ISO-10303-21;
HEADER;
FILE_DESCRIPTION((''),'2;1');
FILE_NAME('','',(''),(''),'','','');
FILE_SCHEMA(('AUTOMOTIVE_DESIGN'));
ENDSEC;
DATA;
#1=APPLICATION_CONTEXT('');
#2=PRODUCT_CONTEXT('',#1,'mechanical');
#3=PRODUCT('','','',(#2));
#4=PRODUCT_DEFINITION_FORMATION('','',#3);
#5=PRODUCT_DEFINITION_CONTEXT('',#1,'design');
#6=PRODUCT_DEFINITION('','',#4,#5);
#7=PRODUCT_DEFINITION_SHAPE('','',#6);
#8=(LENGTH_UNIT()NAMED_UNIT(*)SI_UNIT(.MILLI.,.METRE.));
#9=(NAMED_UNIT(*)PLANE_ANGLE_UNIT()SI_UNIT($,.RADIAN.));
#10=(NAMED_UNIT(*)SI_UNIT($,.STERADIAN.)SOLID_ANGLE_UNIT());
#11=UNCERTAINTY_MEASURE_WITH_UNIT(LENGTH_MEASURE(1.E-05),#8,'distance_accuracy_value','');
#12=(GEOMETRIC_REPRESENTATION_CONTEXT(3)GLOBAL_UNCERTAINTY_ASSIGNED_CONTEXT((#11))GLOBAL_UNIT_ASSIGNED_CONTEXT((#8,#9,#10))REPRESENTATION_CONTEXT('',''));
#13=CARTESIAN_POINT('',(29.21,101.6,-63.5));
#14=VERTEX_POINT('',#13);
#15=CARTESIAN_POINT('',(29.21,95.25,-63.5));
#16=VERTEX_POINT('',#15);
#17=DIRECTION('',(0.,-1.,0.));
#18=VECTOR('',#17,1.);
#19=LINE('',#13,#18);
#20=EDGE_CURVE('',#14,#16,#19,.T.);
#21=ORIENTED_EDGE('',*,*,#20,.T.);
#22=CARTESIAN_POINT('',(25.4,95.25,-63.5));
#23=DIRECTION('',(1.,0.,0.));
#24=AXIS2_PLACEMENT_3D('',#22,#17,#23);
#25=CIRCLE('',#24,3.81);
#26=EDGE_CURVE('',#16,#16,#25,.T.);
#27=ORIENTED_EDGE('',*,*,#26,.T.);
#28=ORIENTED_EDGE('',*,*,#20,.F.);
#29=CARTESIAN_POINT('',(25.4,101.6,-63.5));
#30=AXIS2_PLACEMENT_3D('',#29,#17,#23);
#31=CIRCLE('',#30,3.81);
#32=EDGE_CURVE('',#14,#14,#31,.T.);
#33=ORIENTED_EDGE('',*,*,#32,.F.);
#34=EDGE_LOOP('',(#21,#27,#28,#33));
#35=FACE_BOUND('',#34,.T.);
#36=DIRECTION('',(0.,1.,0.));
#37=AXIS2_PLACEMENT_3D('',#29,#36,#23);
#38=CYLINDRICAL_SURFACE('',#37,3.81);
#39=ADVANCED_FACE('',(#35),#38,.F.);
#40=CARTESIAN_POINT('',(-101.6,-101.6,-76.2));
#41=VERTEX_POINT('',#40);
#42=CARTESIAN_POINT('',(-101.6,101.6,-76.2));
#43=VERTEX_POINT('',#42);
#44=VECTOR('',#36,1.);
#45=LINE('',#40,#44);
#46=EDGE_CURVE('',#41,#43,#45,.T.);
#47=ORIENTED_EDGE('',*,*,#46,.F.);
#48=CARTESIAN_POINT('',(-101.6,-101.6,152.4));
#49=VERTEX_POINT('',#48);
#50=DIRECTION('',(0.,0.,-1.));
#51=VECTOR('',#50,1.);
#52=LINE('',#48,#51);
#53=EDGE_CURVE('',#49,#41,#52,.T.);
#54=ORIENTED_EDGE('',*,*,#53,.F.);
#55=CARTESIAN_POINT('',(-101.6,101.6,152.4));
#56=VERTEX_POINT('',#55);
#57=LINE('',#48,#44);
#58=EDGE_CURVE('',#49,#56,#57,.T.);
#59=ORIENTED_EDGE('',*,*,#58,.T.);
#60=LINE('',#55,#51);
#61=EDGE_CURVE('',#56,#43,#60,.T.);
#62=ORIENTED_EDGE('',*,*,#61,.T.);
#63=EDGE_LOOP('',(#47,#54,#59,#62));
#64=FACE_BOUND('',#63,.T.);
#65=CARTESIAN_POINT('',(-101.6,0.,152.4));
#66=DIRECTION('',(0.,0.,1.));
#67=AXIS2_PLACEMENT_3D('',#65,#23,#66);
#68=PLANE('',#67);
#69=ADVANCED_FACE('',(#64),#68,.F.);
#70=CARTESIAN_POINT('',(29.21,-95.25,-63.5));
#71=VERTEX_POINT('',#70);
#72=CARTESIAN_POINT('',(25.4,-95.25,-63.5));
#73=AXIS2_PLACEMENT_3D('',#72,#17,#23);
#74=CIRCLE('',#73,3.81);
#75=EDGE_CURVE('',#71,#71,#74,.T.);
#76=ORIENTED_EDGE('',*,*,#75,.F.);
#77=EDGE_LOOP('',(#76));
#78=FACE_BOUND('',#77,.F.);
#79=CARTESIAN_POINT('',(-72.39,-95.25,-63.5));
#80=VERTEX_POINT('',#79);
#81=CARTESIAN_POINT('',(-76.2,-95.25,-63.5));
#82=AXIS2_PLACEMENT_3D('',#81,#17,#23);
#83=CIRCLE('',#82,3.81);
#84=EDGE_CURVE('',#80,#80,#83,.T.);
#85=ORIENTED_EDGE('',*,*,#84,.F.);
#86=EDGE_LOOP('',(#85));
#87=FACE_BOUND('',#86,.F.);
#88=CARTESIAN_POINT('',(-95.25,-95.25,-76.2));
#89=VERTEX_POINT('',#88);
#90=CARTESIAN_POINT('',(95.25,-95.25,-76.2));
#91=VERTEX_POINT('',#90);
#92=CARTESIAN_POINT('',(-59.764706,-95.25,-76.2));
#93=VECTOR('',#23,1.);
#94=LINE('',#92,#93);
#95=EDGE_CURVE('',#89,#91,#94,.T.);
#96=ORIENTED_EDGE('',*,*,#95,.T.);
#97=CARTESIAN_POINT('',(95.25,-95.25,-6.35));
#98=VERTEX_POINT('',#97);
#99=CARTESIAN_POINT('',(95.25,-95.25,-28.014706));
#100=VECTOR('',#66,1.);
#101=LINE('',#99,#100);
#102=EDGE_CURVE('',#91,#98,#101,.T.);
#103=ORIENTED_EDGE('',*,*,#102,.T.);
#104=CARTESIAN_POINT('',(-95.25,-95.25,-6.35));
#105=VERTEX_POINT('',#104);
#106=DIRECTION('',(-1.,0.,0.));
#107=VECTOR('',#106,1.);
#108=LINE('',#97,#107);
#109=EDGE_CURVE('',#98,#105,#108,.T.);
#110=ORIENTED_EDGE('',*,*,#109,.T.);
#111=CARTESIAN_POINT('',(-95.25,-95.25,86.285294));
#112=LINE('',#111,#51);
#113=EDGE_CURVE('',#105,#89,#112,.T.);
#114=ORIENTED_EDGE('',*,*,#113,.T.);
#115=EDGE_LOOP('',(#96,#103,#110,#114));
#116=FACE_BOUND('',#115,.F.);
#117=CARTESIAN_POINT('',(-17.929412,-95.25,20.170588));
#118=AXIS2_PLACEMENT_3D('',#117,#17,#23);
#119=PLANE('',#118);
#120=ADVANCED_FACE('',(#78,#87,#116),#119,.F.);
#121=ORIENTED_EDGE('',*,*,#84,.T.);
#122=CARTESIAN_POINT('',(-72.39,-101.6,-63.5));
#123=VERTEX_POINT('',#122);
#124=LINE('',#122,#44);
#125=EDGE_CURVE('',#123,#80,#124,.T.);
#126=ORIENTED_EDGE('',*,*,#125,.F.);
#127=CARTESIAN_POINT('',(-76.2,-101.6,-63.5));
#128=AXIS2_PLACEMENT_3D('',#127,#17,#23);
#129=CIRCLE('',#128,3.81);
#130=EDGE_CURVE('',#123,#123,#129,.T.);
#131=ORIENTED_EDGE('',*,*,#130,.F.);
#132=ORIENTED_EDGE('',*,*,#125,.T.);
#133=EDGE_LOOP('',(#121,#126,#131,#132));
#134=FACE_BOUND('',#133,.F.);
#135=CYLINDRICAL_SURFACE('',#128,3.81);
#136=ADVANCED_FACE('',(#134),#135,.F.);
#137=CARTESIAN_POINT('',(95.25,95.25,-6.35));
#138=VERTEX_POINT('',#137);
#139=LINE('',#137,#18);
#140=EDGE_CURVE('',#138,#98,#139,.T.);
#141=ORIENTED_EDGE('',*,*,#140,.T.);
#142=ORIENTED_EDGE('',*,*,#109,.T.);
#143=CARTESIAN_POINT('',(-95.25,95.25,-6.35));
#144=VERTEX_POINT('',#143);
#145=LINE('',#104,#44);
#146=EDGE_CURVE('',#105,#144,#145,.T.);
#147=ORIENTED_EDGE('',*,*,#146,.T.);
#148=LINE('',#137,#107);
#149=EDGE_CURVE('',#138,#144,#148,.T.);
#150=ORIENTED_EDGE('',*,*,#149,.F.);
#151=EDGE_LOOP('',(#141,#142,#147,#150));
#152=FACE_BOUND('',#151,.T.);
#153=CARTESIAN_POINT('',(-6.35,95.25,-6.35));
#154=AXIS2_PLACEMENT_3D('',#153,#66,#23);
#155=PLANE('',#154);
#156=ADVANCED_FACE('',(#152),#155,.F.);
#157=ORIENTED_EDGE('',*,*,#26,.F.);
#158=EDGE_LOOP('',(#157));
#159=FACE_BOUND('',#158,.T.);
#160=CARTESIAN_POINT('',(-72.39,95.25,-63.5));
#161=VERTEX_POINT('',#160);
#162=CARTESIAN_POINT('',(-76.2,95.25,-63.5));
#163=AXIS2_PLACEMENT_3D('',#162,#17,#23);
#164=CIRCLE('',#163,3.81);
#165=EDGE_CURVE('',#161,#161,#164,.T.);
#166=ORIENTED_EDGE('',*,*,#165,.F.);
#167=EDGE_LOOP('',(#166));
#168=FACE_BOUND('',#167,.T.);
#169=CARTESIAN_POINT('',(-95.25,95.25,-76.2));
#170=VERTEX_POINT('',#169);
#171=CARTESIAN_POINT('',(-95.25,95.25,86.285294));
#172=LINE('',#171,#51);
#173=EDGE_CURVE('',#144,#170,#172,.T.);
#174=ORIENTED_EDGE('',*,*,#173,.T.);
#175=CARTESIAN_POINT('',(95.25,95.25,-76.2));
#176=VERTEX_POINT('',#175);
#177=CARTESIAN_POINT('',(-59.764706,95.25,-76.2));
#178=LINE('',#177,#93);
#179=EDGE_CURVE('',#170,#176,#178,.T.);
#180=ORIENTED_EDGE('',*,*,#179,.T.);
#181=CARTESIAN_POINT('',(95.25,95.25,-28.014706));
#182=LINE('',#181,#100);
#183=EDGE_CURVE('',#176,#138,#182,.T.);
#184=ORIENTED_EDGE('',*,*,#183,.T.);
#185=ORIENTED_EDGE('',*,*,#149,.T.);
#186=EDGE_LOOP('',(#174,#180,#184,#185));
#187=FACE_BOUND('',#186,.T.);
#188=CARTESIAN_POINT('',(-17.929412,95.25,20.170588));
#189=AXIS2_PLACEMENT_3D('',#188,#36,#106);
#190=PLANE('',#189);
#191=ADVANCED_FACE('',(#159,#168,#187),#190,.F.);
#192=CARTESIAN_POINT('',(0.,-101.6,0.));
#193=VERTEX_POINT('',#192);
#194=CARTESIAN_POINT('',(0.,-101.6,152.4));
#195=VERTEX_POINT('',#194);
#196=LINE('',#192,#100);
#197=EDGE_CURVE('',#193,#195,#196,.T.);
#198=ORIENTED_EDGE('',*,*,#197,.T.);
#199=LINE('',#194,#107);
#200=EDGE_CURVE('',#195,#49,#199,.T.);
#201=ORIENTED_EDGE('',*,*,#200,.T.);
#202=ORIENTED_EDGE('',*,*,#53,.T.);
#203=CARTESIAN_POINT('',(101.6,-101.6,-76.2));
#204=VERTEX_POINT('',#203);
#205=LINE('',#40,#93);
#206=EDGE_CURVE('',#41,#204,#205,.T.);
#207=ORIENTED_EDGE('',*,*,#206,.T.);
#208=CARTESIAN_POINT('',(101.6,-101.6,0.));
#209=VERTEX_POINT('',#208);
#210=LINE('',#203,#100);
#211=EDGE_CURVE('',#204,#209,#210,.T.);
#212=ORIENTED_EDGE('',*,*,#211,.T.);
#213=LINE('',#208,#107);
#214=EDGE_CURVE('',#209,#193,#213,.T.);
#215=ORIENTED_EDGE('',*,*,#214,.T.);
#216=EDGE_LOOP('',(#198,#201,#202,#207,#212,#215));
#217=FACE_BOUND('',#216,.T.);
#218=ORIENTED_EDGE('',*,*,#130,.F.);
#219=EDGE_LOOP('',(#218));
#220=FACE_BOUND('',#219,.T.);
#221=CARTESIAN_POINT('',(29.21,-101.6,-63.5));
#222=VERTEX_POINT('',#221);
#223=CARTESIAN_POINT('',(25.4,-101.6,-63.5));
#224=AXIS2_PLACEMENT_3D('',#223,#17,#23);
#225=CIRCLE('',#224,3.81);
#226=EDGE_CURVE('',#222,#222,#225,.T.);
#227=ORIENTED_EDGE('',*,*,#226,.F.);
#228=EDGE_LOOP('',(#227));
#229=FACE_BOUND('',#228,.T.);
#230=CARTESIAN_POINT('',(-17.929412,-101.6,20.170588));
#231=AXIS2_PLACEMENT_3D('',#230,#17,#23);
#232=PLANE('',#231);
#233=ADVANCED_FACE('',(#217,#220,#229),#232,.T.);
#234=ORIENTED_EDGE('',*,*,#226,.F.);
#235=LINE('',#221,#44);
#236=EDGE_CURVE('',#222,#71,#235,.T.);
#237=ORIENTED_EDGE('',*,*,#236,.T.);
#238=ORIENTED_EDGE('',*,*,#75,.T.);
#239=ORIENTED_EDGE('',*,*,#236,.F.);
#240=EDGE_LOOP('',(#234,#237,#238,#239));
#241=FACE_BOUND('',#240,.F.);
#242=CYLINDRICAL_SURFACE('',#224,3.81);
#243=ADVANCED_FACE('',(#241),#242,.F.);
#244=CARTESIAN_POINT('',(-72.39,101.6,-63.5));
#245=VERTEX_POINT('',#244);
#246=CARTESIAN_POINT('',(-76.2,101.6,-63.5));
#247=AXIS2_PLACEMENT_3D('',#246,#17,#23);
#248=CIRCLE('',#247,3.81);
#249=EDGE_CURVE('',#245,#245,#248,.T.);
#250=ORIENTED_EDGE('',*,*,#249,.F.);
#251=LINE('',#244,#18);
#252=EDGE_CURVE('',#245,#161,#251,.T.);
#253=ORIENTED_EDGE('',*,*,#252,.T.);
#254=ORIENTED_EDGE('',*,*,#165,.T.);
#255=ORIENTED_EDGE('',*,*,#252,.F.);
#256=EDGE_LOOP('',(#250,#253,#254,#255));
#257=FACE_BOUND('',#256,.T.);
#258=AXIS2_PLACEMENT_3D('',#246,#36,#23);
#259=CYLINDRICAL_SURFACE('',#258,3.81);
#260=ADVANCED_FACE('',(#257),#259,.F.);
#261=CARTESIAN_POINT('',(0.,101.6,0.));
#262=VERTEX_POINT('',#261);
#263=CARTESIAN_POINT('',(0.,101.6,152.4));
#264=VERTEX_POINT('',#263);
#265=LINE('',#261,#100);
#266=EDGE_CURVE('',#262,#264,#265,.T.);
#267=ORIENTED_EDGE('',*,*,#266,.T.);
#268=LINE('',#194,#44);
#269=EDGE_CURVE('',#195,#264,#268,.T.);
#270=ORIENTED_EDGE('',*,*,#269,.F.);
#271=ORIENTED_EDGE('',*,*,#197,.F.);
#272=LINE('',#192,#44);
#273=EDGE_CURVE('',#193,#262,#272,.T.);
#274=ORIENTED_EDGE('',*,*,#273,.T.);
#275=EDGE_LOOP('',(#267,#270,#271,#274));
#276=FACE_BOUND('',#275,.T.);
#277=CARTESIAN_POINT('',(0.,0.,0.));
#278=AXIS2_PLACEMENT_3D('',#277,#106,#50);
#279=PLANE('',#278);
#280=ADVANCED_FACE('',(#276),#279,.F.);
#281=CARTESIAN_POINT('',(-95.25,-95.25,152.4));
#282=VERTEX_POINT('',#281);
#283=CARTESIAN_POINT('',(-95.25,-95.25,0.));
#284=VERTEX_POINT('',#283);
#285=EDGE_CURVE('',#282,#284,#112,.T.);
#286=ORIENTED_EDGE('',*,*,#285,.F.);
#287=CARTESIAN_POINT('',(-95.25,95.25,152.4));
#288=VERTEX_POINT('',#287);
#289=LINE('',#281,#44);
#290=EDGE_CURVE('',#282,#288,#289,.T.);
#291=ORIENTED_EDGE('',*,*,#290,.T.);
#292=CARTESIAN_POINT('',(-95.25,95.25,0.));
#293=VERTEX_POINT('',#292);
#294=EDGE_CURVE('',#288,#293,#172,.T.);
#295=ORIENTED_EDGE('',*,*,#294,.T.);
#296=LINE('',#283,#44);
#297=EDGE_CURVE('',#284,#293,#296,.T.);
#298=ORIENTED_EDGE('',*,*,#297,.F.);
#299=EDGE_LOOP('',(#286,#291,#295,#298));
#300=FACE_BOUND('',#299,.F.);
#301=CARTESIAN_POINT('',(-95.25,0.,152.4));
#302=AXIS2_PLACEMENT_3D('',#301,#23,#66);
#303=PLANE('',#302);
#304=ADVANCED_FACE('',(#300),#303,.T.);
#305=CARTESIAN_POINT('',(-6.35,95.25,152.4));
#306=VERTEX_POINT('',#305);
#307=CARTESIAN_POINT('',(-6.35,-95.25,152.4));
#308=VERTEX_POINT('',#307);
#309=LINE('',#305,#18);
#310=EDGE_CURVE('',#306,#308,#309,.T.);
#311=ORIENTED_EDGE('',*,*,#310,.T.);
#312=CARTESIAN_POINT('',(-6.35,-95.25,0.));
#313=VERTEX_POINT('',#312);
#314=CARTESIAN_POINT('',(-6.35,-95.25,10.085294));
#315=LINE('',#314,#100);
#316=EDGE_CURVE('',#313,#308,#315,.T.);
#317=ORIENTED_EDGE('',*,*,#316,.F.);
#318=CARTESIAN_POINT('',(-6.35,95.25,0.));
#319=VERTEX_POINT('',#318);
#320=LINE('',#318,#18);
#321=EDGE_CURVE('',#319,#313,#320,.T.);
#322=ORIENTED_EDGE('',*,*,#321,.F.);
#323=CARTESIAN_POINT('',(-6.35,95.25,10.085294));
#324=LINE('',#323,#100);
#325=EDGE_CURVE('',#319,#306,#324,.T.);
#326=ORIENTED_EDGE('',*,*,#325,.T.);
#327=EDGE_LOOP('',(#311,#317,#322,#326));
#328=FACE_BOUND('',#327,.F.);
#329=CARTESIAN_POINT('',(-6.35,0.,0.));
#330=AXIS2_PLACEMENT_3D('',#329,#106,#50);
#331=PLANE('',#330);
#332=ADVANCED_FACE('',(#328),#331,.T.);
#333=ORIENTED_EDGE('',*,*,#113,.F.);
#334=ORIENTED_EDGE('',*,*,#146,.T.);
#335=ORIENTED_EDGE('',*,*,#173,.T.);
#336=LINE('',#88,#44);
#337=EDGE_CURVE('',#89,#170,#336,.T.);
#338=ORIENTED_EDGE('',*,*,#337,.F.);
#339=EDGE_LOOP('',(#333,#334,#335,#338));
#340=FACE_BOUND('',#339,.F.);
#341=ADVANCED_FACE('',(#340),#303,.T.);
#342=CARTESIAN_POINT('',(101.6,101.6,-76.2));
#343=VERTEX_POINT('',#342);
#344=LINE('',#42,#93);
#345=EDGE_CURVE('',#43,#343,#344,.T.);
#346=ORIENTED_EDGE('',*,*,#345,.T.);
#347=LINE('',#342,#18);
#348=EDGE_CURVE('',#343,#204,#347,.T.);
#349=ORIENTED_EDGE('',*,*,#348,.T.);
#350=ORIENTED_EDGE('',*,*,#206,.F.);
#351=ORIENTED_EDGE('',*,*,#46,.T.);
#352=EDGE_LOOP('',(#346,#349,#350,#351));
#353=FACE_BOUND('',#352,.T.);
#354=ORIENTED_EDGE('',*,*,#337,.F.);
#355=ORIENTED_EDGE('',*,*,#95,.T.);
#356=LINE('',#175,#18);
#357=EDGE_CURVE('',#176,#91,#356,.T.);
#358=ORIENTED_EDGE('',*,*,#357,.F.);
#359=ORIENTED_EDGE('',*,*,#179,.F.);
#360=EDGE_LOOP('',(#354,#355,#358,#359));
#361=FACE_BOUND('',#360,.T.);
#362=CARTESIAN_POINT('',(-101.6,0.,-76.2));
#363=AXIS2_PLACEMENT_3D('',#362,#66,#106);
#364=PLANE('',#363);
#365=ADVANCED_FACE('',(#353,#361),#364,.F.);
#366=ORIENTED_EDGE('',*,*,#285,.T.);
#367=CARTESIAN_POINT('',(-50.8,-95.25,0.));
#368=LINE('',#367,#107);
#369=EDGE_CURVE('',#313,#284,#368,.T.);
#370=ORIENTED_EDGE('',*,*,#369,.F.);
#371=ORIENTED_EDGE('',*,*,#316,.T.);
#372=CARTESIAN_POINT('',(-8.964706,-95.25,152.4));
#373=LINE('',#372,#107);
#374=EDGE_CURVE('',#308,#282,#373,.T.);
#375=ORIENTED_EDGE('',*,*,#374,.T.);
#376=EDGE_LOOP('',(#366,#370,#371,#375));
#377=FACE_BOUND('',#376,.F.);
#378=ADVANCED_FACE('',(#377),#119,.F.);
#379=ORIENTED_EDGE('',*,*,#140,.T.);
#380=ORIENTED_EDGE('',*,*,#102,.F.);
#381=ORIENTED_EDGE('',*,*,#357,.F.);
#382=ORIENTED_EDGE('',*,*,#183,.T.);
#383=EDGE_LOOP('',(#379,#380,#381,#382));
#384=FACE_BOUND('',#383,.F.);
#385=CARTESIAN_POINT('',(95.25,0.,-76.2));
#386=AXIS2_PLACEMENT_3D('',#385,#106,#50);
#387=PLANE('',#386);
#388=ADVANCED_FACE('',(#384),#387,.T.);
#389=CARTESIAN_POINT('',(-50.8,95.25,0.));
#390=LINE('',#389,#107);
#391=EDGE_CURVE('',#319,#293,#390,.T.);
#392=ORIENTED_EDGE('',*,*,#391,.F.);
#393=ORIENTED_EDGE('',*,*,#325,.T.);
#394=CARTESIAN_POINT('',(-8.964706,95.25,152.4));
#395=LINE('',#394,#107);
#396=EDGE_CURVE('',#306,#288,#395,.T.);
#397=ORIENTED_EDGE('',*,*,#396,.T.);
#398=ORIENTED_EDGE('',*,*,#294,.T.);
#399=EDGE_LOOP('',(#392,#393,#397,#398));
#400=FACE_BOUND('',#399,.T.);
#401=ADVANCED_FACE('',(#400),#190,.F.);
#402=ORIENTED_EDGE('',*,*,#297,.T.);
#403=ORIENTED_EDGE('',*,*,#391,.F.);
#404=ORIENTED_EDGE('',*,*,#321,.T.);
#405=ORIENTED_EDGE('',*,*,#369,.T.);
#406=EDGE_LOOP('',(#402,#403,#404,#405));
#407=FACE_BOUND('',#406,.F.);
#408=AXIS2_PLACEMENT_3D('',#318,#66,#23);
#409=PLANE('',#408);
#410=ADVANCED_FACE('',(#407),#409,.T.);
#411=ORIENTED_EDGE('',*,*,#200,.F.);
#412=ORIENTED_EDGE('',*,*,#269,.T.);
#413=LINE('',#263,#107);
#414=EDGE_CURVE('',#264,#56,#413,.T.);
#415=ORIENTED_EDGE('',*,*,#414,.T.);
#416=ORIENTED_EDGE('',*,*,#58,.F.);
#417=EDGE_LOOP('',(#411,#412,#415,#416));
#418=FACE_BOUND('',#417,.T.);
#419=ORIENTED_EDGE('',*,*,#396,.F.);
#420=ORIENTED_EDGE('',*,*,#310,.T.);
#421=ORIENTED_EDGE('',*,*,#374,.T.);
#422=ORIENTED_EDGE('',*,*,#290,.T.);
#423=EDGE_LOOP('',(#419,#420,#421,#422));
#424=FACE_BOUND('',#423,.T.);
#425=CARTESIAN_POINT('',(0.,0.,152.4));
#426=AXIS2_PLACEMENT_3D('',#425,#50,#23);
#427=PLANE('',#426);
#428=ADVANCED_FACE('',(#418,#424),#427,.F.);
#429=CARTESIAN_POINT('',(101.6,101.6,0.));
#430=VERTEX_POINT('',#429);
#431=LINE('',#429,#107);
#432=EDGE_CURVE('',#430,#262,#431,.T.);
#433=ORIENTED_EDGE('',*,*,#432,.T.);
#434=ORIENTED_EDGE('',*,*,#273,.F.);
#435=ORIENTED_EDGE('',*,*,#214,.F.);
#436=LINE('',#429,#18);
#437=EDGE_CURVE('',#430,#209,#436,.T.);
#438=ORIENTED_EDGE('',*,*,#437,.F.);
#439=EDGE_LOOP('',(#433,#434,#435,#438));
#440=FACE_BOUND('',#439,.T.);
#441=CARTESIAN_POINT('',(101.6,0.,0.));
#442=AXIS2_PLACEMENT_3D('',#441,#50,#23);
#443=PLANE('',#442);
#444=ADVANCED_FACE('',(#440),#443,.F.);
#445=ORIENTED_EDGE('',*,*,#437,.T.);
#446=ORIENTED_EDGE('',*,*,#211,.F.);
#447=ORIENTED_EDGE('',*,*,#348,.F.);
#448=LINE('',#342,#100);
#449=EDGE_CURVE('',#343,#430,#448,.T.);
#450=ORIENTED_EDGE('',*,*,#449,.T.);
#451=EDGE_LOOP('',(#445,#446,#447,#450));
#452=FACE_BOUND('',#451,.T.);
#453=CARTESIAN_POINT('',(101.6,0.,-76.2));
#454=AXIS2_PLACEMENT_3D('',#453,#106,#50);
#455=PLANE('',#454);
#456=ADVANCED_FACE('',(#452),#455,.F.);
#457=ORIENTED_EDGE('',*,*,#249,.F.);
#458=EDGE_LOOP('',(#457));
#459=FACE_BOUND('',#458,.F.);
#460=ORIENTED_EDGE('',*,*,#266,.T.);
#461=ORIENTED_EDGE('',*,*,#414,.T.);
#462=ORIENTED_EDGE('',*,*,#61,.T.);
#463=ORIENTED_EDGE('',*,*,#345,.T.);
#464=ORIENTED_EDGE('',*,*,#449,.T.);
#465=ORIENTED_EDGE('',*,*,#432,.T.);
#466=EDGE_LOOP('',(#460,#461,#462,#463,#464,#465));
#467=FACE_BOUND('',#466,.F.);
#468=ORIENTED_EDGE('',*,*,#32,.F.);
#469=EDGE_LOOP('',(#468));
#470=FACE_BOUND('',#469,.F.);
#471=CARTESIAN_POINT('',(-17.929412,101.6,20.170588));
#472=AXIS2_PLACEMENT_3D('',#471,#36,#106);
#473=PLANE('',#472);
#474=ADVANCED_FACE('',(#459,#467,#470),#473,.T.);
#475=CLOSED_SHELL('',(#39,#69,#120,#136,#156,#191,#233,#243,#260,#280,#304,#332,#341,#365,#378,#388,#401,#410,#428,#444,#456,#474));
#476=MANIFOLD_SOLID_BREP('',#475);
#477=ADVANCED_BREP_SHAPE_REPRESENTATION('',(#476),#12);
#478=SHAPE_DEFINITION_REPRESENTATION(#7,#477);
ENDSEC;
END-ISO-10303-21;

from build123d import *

# Parameters (mm, degrees)
F1_DEPTH = 101.6
F2_T     = -6.35
F3_W     = 88.9
F3_H     = 6.35
F4_DEPTH = 95.25
F5_R     = 3.81
F6_DEPTH = 25.4


with BuildPart() as f1:
    # F0 (on Front) → F1 (new body)
    with BuildSketch(Plane.XZ):
        Polygon((0, 0), (0, 152.4), (-101.6, 152.4), (-101.6, 0), (-101.6, -76.2), (101.6, -76.2), (101.6, 0), align=None)
    extrude(amount=F1_DEPTH)

    # F2
    f2_openings = [f1.faces().sort_by_distance(p)[0] for p in [
        (-50.8, -50.8, 152.4),
        (-25.4, 0, 19.05),
        (0, -50.8, -76.2),
    ]]
    offset(amount=F2_T, openings=f2_openings, kind=Kind.INTERSECTION)

    # F3 (on face) → F4 (join)
    with BuildSketch(Plane(origin=(0, -95.25, 0), x_dir=(-1, 0, 0), z_dir=(0, 1, 0))):
        with Locations((50.8, -3.175)):
            Rectangle(F3_W, F3_H)
    extrude(amount=F4_DEPTH)

    # F5 (on face) → F6 (cut)
    with BuildSketch(Plane.XZ.offset(101.6)):
        with Locations((-76.2, -63.5)):
            Circle(F5_R)
        with Locations((25.4, -63.5)):
            Circle(F5_R)
    extrude(amount=-F6_DEPTH, mode=Mode.SUBTRACT)

    # F7: F1 across face


with BuildPart() as f1_1:
    add(f1.part)
    add(f1.part.mirror(Plane(origin=(-23.9058823529, 0, 25.9602941176), x_dir=(1, 0, 0), z_dir=(0, 1, 0))))


solid = f1_1.part
